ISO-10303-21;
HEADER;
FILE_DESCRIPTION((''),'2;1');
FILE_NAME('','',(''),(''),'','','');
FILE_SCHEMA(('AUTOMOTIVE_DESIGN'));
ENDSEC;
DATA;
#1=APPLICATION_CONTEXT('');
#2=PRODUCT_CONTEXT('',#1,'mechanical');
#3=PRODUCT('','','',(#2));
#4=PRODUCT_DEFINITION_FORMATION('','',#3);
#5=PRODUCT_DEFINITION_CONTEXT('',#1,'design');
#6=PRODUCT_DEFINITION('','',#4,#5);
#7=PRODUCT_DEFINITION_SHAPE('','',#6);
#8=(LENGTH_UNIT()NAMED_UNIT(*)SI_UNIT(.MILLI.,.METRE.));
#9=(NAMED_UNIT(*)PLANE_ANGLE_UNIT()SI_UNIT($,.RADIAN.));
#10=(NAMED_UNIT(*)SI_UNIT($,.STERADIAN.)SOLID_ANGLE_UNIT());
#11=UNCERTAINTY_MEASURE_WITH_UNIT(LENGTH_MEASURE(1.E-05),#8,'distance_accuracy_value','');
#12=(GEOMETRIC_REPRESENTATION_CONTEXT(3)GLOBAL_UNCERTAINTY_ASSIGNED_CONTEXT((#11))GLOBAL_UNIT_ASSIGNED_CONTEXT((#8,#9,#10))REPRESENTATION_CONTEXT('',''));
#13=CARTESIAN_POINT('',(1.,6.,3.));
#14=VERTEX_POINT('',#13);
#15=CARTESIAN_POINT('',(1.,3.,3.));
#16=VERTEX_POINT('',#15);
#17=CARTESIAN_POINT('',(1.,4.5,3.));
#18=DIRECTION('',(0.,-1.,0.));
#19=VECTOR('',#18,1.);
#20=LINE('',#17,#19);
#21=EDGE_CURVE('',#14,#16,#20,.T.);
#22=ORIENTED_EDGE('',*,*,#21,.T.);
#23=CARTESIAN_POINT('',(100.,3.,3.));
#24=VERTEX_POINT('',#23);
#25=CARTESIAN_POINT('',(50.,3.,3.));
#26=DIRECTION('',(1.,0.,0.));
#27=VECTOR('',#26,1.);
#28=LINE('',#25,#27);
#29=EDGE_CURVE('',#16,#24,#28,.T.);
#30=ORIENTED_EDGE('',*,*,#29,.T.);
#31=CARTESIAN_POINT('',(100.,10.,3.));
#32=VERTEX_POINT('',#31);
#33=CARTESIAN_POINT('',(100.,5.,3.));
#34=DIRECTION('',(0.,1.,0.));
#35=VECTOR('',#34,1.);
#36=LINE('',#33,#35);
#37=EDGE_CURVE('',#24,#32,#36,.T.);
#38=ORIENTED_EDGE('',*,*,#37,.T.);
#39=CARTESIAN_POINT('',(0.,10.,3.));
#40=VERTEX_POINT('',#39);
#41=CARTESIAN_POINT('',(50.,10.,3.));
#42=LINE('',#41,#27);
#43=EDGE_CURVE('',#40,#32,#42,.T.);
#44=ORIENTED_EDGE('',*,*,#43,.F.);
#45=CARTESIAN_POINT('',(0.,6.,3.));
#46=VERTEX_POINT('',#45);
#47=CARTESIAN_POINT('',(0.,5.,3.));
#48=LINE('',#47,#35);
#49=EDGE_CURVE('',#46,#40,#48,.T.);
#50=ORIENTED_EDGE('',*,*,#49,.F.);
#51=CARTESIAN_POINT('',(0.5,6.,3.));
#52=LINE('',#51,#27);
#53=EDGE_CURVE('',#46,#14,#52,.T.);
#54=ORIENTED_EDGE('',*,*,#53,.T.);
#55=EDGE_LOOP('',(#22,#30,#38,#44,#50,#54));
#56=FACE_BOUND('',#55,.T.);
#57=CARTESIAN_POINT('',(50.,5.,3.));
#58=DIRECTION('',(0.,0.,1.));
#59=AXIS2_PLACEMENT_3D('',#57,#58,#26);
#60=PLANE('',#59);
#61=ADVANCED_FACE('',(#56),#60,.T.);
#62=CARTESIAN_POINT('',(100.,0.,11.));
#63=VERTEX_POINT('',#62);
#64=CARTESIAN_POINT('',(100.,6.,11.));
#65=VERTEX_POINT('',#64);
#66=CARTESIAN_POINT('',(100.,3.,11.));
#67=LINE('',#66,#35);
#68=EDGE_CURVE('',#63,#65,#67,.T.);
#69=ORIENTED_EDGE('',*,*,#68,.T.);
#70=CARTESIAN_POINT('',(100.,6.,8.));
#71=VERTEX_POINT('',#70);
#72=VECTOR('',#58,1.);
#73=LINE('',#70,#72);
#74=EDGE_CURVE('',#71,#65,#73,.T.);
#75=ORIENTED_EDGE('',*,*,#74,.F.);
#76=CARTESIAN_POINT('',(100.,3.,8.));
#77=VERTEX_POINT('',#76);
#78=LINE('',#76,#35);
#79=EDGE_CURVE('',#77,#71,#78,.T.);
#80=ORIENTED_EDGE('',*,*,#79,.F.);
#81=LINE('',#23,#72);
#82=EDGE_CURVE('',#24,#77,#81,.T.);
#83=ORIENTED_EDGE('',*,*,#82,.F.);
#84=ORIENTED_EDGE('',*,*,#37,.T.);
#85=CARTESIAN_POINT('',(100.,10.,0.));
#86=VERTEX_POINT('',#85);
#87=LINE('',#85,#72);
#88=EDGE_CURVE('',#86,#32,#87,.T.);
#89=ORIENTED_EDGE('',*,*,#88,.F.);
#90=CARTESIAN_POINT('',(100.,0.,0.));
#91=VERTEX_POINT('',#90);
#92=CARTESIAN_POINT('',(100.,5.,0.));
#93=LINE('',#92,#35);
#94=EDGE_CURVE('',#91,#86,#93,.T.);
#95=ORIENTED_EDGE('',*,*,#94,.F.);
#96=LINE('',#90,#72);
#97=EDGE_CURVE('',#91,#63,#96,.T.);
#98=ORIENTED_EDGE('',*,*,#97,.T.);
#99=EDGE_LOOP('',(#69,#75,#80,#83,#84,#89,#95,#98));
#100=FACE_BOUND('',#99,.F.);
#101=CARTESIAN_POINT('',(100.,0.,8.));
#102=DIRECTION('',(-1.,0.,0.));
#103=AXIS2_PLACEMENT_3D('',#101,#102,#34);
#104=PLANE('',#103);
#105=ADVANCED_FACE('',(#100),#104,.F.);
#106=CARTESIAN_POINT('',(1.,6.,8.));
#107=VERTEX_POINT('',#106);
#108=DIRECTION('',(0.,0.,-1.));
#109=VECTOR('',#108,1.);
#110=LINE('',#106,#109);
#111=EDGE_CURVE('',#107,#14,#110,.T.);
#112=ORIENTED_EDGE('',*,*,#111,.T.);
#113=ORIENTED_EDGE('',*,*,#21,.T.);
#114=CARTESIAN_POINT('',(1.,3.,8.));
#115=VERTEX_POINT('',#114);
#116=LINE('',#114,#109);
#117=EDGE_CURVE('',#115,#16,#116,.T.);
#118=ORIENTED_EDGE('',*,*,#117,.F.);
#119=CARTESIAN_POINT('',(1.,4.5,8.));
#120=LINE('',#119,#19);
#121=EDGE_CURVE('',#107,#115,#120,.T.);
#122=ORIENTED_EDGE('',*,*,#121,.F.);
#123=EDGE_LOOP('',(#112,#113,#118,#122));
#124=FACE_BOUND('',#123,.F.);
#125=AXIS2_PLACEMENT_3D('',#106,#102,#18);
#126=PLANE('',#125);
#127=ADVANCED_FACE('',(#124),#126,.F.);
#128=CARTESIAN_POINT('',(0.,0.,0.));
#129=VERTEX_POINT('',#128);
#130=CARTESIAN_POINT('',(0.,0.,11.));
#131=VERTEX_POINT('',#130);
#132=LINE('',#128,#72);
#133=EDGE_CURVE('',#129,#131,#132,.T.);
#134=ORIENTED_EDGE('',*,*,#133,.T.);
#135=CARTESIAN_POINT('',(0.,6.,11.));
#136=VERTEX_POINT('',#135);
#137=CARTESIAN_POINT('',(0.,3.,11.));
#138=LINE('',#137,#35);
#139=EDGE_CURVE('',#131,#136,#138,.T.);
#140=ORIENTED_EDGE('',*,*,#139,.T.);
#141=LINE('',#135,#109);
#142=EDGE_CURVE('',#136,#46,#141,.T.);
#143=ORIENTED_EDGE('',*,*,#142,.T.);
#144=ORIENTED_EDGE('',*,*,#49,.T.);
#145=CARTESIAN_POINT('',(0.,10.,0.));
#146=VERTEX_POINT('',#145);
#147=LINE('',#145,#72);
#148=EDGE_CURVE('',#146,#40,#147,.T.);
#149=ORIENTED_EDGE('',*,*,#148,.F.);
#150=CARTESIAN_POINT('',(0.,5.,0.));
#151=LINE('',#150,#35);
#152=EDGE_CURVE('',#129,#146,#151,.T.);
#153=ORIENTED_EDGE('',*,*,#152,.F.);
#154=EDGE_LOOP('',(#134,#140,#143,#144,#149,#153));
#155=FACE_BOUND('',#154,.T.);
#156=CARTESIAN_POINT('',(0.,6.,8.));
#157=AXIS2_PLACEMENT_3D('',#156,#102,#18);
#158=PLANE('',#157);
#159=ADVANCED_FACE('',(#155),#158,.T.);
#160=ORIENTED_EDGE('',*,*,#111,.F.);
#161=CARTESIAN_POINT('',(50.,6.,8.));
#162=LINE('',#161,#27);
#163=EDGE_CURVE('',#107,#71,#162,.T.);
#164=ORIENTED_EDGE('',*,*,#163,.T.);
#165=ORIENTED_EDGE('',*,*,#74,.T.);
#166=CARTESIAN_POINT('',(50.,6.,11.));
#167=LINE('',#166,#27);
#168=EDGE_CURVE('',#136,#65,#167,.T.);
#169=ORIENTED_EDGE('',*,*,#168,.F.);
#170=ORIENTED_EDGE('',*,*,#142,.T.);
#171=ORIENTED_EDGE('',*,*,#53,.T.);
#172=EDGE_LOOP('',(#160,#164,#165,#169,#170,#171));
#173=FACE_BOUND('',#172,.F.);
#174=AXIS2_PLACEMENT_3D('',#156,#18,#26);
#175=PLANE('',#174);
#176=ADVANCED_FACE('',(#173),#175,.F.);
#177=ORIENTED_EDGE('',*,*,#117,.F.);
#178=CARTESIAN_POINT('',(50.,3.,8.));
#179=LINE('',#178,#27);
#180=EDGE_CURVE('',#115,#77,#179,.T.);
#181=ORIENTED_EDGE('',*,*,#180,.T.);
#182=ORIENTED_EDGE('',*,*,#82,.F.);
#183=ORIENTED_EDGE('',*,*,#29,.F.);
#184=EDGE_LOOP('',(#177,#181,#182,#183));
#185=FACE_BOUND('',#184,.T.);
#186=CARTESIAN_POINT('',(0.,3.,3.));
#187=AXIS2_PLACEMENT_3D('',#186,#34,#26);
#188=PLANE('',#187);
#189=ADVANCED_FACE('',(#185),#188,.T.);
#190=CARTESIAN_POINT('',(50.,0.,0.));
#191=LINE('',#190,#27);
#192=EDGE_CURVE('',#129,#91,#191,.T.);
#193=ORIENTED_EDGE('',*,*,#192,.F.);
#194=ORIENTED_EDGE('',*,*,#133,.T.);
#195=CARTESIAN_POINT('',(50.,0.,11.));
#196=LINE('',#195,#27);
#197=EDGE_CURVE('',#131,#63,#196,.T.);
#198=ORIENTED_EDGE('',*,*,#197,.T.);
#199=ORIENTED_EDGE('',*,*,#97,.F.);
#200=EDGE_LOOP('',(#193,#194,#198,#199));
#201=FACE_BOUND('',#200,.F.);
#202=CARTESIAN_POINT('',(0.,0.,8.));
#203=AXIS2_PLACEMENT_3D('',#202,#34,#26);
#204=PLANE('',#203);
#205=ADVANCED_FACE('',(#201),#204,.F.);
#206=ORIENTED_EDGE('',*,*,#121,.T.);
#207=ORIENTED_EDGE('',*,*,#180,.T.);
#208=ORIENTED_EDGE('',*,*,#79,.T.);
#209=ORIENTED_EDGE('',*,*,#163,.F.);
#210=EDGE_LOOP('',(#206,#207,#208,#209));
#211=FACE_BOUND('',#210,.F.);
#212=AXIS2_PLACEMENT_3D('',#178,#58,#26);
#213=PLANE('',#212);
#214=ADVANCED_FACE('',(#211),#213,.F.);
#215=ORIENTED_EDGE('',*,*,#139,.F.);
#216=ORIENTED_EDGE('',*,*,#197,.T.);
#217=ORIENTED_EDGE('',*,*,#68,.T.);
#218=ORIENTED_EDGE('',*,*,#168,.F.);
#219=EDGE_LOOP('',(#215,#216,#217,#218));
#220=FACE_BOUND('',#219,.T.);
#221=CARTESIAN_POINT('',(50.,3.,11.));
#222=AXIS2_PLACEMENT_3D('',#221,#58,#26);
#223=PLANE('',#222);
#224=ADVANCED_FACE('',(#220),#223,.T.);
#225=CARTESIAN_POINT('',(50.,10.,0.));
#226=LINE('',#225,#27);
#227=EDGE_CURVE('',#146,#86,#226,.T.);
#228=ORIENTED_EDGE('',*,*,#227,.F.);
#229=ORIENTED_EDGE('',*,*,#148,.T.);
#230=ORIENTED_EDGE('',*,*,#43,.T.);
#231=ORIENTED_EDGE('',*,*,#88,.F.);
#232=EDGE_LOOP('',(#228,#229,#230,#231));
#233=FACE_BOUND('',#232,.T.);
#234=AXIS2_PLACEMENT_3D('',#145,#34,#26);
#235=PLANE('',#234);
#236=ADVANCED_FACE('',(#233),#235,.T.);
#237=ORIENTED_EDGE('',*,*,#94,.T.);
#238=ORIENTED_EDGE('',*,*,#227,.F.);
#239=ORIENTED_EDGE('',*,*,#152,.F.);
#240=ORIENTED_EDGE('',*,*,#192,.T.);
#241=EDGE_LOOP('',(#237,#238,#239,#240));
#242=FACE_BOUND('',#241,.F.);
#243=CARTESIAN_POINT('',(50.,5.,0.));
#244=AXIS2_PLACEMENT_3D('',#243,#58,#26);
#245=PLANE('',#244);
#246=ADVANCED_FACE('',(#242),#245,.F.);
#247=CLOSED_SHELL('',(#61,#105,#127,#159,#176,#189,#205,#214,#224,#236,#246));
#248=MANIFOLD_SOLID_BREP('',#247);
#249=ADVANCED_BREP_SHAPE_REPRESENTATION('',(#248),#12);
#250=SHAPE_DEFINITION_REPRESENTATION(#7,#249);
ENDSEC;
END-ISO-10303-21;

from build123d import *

# Parameters (mm, degrees)
SKETCH_W     = 100
SKETCH_H     = 10
PAD_DEPTH    = 3
SKETCH001_W  = 100
SKETCH001_H  = 3
PAD001_DEPTH = 5
SKETCH002_W  = 100
SKETCH002_H  = 6
PAD002_DEPTH = 3
SKETCH003_W  = 1
SKETCH003_H  = 3
PAD003_DEPTH = 5


with BuildPart() as part:
    # Sketch → Pad (new body)
    with BuildSketch(Plane.XY):
        with Locations((50, 5)):
            Rectangle(SKETCH_W, SKETCH_H)
    extrude(amount=PAD_DEPTH)

    # Sketch001 (on Face6 of Pad) → Pad001 (join)
    with BuildSketch(Plane.XY.offset(3)):
        with Locations((50, 1.5)):
            Rectangle(SKETCH001_W, SKETCH001_H)
    extrude(amount=PAD001_DEPTH)

    # Sketch002 (on Face10 of Pad001) → Pad002 (join)
    with BuildSketch(Plane.XY.offset(8)):
        with Locations((50, 3)):
            Rectangle(SKETCH002_W, SKETCH002_H)
    extrude(amount=PAD002_DEPTH)

    # Sketch003 (on Face15 of Pad002) → Pad003 (join)
    with BuildSketch(Plane(origin=(0, 0, 8), x_dir=(1, 0, 0), z_dir=(0, 0, -1))):
        with Locations((0.5, -4.5)):
            Rectangle(SKETCH003_W, SKETCH003_H)
    extrude(amount=PAD003_DEPTH)


solid = part.part
